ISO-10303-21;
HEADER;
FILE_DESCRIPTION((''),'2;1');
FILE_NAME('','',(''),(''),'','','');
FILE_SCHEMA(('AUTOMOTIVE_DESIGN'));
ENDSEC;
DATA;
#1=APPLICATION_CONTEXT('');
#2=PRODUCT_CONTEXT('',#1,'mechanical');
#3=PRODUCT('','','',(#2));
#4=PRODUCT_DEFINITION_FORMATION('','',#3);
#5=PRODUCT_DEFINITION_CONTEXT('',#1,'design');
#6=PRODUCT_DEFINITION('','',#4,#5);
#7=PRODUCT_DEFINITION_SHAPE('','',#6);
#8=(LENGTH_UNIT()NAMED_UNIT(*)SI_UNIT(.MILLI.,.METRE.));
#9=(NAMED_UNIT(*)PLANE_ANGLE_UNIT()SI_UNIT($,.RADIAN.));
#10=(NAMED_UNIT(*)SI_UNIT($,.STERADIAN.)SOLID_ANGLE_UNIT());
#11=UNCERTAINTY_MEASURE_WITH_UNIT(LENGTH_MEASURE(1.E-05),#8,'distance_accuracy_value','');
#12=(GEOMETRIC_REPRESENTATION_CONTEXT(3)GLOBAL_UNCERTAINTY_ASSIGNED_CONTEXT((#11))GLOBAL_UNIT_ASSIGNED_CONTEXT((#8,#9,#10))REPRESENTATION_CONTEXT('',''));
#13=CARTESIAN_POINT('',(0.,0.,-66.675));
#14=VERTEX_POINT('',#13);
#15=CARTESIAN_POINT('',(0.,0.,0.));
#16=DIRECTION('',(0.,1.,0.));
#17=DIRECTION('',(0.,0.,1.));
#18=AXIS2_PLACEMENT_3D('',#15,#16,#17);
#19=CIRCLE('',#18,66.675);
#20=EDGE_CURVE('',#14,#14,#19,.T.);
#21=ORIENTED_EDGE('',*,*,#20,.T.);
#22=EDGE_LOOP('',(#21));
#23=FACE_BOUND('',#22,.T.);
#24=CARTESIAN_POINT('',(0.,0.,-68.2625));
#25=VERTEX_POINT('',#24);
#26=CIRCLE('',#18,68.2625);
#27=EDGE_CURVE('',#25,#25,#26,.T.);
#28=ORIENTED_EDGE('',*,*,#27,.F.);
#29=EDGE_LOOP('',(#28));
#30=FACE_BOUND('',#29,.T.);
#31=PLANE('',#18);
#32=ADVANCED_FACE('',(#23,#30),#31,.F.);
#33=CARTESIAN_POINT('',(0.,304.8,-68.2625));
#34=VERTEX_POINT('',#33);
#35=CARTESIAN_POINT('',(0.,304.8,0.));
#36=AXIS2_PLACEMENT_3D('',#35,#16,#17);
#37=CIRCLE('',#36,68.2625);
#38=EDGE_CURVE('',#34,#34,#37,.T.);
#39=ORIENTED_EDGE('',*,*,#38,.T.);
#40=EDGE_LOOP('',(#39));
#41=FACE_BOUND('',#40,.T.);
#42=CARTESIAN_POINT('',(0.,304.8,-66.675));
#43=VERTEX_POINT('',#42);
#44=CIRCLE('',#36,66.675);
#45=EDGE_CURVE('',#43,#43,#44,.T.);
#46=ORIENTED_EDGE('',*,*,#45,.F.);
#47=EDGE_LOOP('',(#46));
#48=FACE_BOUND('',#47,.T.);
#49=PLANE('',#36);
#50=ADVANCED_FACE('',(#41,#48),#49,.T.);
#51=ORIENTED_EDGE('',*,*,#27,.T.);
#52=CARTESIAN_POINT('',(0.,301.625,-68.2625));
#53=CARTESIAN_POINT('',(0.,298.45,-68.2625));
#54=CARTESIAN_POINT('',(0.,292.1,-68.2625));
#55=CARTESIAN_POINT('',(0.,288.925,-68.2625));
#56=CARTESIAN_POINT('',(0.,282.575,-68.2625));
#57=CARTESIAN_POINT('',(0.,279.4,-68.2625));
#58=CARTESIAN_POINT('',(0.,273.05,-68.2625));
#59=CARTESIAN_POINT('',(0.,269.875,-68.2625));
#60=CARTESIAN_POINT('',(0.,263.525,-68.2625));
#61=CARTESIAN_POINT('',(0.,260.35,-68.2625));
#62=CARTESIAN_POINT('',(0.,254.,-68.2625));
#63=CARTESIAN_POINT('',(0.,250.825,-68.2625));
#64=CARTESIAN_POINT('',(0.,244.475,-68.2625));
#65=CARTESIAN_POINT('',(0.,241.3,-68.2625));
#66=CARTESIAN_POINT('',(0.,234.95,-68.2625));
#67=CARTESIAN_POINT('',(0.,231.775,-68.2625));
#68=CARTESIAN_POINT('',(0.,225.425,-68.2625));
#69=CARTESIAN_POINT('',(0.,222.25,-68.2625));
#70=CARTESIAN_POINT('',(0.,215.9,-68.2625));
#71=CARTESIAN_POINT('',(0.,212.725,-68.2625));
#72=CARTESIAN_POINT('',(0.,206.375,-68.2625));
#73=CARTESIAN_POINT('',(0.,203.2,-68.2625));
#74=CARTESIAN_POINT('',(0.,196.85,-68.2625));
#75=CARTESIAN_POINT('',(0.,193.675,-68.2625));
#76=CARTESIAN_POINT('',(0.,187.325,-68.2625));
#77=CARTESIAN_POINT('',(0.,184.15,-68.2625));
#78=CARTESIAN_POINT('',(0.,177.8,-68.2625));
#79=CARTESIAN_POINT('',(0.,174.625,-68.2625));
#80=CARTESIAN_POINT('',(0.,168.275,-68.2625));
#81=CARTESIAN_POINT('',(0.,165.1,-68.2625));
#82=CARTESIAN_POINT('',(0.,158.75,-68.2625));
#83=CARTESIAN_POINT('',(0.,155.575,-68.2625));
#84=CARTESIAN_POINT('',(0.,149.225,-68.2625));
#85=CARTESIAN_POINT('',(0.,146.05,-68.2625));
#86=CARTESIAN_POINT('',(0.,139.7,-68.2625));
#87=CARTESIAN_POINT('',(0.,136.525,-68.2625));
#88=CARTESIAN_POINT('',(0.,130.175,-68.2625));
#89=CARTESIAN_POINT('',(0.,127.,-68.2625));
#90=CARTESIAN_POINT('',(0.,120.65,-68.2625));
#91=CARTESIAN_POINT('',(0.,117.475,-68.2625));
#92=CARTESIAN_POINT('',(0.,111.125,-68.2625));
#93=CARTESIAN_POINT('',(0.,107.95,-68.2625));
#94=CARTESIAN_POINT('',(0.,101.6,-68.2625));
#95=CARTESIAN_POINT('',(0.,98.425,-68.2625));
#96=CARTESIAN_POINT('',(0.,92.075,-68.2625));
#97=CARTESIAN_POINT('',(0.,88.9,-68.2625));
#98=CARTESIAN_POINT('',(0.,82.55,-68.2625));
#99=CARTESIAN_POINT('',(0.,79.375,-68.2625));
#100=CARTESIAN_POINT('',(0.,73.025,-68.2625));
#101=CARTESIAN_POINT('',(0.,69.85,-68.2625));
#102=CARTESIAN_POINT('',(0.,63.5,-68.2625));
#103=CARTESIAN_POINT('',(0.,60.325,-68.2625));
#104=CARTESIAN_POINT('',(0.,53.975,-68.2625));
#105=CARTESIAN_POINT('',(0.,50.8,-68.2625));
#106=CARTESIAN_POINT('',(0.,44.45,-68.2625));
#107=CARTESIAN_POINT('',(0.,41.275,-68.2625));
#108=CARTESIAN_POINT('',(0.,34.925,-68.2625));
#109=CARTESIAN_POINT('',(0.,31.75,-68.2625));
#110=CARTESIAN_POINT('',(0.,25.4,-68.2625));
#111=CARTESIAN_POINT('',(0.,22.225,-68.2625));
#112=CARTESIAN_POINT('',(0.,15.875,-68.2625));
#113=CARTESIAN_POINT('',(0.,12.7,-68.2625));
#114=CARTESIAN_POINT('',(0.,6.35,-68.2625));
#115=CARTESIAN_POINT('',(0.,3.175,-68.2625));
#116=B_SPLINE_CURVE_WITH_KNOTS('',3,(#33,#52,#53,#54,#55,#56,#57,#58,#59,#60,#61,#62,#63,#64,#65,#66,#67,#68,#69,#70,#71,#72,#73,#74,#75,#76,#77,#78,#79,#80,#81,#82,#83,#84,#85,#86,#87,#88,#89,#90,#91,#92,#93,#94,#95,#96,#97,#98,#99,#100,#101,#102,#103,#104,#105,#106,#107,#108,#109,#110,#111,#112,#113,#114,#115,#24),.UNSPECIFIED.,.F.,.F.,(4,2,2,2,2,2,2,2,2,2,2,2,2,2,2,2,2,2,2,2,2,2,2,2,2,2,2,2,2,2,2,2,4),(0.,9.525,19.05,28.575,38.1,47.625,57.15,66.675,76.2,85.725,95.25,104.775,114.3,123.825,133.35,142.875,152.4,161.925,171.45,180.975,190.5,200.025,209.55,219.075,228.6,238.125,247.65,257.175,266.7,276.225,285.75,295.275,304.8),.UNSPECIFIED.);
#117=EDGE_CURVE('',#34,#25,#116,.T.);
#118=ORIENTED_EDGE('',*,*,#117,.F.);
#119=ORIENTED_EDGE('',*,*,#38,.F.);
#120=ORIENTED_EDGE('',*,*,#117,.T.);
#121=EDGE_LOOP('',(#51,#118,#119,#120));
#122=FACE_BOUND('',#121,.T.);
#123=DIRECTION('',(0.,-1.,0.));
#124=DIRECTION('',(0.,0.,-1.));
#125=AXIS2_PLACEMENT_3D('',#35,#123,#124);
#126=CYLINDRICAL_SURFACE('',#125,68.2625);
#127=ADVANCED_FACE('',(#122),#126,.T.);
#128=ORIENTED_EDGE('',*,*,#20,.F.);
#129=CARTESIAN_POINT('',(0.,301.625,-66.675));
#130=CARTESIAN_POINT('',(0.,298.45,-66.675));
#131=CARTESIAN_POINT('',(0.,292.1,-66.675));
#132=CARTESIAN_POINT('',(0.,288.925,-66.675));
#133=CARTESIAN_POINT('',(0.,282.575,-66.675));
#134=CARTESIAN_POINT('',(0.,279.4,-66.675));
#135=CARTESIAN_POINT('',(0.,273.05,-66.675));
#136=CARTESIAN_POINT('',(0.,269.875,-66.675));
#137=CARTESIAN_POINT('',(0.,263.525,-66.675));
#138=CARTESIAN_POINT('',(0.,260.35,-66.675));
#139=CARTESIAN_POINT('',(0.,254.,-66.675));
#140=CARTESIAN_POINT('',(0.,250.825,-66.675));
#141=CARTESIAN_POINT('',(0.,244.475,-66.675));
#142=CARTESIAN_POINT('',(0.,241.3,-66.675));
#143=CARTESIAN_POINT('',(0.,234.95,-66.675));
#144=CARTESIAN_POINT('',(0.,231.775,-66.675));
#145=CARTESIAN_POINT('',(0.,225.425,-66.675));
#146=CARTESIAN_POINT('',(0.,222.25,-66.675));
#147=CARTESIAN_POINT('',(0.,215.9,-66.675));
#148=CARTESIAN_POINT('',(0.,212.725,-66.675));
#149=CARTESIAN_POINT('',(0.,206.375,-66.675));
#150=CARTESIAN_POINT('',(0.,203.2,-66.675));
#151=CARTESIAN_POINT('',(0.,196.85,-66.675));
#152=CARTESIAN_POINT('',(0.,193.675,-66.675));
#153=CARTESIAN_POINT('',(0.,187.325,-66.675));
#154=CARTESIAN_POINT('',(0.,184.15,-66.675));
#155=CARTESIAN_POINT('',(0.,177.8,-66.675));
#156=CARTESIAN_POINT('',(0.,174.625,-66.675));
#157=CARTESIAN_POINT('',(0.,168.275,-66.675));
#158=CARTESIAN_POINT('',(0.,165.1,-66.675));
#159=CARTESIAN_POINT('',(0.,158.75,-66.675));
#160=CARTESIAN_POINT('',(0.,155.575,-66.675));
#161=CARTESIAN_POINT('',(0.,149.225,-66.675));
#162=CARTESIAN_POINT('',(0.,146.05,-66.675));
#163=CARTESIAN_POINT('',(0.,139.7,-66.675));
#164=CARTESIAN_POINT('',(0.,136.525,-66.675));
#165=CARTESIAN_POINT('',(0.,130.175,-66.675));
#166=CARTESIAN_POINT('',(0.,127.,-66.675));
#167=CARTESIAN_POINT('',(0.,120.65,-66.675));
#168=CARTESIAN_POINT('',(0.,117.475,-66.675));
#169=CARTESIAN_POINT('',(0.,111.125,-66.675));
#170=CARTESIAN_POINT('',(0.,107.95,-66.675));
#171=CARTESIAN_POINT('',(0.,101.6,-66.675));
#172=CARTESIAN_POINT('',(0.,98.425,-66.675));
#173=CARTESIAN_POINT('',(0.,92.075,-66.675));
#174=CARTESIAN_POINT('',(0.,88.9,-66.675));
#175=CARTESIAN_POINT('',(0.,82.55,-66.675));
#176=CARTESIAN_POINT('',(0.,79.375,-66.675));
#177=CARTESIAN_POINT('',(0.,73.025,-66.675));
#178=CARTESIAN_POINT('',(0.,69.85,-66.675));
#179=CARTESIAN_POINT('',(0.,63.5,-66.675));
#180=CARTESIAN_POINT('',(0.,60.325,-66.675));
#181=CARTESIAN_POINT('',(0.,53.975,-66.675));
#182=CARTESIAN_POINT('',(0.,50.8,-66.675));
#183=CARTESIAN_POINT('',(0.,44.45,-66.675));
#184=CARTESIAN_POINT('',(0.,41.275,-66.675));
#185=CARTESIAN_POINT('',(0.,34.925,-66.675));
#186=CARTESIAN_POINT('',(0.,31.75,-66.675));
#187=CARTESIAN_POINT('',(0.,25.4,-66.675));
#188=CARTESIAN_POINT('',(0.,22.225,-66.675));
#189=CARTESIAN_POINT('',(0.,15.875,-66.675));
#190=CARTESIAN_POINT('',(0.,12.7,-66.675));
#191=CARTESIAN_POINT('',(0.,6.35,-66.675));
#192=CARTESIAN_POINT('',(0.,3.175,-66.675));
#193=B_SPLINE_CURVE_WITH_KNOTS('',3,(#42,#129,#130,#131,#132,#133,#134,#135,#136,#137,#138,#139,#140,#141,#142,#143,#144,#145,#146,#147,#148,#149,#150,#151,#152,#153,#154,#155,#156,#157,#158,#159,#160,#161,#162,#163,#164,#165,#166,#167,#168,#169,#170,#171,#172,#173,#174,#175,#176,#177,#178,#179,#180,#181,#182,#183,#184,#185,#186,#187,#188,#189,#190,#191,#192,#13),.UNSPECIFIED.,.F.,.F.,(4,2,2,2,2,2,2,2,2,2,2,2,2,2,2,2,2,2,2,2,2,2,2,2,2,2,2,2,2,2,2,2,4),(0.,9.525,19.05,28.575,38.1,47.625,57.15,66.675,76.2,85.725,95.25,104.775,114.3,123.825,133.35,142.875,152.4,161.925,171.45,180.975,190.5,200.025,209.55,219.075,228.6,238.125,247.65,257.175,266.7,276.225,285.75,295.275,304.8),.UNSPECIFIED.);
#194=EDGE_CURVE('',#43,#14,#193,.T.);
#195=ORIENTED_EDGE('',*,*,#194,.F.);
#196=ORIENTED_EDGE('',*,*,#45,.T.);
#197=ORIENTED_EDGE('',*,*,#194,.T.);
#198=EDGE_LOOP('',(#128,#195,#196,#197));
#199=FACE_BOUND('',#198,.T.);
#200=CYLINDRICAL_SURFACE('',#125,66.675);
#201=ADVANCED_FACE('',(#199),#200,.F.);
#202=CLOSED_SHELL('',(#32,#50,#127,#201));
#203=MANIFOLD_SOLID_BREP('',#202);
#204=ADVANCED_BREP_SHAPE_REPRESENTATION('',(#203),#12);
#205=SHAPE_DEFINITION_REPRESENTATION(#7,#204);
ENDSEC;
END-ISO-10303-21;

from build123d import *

# Parameters (mm, degrees)
SKETCH1_R           = 68.2625
SKETCH1_R_2         = 66.675
BOSS_EXTRUDE1_DEPTH = 304.8


with BuildPart() as part:
    # Sketch1 → Boss-Extrude1 (new body)
    with BuildSketch(Plane(origin=(0, 0, 0), x_dir=(1, 0, 0), z_dir=(0, 1, 0))):
        with Locations(Location((0, 0, 0), (0, 0, 90))):
            Circle(SKETCH1_R)
        with Locations(Location((0, 0, 0), (0, 0, 90))):
            Circle(SKETCH1_R_2, mode=Mode.SUBTRACT)
    extrude(amount=BOSS_EXTRUDE1_DEPTH)


solid = part.part
